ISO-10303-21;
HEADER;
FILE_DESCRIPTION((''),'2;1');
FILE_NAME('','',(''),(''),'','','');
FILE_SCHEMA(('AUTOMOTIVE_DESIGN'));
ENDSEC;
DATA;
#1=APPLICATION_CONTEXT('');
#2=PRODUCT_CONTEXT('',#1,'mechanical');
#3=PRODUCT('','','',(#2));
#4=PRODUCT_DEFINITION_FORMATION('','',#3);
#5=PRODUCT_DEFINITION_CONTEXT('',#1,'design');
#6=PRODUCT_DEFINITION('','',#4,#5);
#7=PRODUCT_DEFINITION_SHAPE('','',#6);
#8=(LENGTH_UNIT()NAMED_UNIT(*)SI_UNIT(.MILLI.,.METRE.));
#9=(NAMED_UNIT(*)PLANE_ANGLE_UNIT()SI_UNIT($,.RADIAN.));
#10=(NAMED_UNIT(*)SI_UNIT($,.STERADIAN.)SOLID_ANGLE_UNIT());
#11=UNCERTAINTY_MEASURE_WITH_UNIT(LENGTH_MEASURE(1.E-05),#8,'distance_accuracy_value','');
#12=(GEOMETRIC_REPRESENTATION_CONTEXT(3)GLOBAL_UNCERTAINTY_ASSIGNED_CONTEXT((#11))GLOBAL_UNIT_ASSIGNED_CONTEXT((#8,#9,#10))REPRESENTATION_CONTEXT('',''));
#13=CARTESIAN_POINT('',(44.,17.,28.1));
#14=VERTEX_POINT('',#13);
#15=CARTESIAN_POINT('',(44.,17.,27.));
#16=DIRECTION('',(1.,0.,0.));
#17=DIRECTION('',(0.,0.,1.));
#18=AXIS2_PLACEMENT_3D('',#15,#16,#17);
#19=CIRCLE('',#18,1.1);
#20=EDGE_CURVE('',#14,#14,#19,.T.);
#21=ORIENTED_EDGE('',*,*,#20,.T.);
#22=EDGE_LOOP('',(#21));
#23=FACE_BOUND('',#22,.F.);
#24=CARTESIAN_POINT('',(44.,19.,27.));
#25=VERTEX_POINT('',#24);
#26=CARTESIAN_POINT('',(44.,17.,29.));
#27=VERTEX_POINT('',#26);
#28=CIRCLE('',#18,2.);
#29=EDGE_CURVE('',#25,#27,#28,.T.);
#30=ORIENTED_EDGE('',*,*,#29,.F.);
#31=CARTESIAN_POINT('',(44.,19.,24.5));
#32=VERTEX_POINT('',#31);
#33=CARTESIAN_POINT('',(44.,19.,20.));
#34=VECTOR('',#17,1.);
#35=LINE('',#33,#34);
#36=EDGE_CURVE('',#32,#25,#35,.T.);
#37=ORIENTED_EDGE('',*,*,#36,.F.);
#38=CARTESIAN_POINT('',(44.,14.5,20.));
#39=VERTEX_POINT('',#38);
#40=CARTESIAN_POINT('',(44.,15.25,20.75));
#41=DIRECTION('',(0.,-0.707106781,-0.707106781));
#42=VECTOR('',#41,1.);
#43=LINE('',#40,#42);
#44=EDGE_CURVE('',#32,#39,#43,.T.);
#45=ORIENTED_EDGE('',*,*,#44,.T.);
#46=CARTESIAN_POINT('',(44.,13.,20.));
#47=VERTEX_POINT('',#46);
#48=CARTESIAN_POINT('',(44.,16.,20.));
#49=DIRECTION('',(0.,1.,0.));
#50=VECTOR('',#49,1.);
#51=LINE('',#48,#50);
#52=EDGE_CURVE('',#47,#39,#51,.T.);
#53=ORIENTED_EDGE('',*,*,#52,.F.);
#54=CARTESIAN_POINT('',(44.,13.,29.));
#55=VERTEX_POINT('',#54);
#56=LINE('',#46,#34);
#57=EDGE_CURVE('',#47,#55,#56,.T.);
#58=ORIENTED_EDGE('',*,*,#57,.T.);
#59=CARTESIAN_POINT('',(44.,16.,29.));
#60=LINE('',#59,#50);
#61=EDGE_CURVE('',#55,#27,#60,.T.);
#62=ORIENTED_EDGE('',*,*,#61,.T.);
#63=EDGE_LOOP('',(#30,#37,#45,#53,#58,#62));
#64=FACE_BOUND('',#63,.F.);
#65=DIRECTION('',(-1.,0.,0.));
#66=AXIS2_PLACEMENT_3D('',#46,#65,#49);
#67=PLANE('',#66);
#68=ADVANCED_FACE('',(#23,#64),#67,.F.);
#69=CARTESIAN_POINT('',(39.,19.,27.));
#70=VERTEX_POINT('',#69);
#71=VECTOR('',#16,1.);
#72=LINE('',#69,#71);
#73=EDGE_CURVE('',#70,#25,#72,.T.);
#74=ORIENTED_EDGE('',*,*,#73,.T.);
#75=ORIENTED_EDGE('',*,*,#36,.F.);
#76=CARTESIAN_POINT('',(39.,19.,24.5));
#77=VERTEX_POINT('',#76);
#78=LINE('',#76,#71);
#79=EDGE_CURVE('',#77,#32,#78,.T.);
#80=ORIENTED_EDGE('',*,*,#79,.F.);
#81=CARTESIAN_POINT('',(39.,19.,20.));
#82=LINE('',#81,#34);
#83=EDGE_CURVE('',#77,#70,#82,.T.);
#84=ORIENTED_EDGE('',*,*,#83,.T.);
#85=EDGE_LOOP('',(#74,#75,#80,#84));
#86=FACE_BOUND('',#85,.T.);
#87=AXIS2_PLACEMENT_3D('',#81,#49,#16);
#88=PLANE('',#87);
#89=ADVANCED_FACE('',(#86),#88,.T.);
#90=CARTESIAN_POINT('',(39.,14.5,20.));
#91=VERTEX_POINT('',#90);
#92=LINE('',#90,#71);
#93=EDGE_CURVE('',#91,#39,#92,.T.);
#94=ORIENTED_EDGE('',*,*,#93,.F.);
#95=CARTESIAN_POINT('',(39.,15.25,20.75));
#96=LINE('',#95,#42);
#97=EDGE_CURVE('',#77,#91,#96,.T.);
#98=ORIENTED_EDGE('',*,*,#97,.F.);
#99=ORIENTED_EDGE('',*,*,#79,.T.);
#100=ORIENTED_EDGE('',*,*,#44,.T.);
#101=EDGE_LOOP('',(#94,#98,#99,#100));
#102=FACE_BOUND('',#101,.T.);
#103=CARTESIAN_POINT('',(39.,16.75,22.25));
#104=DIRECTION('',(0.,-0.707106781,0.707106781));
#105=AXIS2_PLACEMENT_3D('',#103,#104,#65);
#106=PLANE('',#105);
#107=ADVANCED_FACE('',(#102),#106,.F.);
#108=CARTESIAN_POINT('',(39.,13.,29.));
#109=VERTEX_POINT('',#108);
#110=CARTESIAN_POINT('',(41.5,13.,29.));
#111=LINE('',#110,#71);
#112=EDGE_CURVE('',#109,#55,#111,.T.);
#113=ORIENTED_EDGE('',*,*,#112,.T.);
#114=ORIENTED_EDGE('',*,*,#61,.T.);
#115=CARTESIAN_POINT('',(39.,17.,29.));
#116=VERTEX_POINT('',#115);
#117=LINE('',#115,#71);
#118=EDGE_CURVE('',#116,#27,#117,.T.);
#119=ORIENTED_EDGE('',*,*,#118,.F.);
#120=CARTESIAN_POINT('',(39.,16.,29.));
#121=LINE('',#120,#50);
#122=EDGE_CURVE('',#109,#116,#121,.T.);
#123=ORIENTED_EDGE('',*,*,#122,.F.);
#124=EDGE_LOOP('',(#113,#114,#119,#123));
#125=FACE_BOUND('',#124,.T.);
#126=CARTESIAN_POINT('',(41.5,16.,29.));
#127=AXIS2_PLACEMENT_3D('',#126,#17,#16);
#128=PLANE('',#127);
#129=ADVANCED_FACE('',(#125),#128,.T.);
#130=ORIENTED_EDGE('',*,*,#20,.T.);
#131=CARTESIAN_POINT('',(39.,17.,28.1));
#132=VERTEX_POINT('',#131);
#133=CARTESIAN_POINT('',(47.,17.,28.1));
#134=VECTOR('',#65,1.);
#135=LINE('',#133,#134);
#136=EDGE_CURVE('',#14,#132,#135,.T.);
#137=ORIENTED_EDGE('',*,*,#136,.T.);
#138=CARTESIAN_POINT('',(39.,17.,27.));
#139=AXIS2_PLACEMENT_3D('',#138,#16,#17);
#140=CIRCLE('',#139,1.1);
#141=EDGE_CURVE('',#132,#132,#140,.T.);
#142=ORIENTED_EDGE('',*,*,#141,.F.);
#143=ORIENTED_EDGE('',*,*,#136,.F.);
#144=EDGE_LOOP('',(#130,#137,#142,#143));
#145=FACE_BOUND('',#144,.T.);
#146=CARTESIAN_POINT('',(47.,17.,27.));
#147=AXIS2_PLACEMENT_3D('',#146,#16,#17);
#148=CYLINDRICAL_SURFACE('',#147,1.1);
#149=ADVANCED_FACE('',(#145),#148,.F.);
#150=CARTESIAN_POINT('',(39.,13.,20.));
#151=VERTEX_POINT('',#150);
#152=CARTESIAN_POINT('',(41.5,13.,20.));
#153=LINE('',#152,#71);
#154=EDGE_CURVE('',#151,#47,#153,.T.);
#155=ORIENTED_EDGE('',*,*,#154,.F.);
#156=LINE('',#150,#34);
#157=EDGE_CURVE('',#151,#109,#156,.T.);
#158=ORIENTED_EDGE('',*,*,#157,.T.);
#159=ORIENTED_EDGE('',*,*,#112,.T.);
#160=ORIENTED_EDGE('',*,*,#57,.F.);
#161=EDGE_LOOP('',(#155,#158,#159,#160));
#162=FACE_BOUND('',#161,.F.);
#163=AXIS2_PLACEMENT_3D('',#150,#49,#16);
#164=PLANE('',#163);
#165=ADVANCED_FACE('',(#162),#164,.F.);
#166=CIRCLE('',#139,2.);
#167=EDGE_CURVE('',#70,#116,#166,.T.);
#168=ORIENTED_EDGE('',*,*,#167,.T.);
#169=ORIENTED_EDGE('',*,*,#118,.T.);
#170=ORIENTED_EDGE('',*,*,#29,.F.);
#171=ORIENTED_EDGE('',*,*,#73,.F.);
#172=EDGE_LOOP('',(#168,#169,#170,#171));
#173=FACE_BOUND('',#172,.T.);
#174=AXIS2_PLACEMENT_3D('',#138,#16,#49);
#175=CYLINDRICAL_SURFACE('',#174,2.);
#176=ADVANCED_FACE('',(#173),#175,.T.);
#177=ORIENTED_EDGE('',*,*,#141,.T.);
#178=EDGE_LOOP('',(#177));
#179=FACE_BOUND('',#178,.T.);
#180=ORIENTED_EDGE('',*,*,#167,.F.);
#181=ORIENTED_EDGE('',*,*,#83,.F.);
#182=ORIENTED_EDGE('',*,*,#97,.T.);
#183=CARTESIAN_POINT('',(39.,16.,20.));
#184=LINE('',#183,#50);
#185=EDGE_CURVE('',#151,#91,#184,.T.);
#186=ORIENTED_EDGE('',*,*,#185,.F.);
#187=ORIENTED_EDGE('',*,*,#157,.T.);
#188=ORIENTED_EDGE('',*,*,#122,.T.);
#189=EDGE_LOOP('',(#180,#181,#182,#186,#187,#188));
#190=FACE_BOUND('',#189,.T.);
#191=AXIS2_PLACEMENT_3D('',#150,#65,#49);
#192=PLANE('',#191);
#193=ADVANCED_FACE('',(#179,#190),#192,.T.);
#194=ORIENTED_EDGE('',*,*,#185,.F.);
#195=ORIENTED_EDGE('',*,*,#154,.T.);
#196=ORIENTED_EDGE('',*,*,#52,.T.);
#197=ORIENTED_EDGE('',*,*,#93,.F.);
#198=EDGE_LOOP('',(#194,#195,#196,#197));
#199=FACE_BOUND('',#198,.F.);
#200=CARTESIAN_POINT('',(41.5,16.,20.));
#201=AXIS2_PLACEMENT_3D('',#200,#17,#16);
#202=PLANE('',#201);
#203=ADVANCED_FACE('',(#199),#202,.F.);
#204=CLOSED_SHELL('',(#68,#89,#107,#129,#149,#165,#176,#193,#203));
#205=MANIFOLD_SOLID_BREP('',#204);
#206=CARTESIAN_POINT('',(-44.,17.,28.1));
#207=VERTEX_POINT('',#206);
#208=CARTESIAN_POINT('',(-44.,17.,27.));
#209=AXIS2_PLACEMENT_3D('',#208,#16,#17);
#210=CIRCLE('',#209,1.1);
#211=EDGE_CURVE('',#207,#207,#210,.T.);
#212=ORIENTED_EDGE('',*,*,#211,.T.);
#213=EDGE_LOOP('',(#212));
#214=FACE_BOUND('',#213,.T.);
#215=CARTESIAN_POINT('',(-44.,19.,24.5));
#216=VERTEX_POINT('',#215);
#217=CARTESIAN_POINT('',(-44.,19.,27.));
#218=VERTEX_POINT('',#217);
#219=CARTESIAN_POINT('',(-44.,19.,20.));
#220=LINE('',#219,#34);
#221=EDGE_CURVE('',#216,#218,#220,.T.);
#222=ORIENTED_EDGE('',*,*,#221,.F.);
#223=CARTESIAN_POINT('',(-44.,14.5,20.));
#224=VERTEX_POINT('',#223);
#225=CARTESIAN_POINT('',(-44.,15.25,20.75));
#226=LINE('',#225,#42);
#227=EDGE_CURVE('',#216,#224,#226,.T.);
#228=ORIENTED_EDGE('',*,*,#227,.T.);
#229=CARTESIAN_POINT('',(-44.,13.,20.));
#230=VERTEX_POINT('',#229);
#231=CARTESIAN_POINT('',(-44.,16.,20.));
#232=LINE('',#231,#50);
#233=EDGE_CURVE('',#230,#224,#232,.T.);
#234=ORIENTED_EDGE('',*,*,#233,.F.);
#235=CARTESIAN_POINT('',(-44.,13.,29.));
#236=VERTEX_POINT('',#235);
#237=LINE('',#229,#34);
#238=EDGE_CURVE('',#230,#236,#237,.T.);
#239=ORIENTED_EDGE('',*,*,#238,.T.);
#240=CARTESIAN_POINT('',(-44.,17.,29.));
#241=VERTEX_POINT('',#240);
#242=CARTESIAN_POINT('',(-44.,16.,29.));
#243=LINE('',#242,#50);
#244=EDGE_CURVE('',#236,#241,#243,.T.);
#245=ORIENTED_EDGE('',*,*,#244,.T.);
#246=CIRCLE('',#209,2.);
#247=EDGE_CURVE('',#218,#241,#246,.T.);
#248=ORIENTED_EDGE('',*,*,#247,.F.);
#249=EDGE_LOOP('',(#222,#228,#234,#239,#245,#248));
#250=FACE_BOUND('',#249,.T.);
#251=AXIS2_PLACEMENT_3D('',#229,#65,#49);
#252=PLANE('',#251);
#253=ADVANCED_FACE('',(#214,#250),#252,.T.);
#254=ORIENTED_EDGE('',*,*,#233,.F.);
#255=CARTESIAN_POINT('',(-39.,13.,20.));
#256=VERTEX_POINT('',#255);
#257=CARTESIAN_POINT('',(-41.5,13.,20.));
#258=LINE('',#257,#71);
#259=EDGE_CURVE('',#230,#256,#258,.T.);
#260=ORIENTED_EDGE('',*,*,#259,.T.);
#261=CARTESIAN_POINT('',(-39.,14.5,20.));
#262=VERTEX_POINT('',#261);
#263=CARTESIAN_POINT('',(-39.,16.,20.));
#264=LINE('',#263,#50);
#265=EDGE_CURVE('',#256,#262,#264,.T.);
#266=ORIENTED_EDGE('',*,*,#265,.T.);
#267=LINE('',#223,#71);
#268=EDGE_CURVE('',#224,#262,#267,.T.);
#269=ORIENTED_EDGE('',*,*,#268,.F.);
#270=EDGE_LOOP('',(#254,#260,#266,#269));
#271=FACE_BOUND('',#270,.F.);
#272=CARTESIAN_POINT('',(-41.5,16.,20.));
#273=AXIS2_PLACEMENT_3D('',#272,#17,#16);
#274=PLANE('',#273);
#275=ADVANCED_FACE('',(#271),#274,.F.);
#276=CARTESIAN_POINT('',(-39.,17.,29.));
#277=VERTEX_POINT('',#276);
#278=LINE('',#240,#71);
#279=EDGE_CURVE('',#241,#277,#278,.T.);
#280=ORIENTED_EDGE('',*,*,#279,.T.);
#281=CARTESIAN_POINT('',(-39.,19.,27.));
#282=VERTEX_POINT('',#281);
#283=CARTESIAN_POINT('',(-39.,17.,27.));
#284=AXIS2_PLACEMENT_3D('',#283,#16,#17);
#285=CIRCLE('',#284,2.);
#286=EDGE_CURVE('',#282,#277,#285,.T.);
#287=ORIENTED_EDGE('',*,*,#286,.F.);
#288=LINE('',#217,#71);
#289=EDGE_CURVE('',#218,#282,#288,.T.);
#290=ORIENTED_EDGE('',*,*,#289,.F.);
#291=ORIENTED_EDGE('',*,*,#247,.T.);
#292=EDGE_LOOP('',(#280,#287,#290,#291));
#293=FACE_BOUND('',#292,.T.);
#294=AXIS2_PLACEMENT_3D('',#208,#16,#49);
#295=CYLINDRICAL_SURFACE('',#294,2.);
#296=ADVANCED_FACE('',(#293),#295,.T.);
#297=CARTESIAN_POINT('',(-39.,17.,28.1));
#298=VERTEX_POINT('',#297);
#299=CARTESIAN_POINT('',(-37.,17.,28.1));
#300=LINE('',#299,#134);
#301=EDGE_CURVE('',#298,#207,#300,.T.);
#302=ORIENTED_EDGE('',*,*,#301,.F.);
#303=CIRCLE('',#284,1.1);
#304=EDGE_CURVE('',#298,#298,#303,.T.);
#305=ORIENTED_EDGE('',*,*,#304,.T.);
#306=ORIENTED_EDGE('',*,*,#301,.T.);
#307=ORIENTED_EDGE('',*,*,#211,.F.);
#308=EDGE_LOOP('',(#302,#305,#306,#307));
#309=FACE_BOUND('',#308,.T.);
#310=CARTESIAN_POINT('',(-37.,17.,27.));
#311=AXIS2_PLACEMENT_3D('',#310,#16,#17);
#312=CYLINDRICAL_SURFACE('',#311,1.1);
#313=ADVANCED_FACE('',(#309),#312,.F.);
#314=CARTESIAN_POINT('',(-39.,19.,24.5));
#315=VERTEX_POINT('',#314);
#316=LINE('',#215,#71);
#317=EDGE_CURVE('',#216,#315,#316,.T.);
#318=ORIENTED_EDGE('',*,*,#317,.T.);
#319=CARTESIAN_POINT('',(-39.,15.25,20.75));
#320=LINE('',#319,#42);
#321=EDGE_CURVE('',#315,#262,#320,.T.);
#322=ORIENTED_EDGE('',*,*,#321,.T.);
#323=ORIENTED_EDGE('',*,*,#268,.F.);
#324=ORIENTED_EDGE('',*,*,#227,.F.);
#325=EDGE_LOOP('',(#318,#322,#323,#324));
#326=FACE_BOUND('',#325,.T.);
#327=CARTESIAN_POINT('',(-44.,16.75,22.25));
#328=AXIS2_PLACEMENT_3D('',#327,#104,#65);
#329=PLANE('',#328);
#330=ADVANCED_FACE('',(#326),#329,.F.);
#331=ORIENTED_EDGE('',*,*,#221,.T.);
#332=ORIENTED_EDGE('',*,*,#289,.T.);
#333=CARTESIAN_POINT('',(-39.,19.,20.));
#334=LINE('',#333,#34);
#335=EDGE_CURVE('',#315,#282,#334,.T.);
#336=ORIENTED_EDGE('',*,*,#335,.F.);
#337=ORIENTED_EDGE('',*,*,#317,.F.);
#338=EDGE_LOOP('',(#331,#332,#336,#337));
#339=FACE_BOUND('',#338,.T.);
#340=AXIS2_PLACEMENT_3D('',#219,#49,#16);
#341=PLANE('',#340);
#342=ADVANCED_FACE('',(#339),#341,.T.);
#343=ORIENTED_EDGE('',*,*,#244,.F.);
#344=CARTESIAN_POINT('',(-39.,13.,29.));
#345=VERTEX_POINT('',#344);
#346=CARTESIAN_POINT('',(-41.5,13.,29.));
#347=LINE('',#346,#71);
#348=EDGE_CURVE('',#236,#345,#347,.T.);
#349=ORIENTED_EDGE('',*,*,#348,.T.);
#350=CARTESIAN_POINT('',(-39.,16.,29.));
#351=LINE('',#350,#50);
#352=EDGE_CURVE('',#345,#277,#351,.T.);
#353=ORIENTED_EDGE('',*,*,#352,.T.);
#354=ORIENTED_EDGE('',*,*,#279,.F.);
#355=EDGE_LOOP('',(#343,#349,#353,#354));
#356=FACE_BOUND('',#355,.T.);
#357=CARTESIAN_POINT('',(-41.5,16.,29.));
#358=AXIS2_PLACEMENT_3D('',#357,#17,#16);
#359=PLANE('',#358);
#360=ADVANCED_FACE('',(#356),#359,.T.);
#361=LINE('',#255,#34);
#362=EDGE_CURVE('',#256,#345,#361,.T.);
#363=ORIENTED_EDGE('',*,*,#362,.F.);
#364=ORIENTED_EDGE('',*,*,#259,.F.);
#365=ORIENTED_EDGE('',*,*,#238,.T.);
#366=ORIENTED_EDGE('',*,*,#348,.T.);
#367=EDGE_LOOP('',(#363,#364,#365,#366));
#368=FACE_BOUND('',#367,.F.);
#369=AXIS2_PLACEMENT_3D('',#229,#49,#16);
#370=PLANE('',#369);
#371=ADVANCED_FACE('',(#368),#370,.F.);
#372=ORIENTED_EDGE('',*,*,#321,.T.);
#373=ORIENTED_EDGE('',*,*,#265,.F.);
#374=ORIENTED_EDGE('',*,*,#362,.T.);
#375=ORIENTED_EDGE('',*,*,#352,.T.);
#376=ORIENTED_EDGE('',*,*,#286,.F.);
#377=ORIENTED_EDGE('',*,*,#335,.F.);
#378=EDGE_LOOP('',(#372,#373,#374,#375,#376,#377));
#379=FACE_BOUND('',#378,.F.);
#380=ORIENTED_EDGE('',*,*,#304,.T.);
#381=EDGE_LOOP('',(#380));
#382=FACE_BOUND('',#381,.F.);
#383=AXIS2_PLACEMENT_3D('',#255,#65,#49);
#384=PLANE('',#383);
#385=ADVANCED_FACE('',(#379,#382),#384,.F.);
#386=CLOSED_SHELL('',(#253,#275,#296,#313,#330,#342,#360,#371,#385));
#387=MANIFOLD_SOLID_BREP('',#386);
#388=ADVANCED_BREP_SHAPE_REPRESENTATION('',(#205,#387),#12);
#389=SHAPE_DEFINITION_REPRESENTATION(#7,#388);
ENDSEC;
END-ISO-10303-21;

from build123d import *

# Parameters (mm, degrees)
CYLINDER043_R         = 1.1
CYLINDER043_DEPTH     = 10
BOX027_W              = 5
BOX027_H              = 6
BOX027_DEPTH          = 9
FILLET004_R           = 2
CHAMFER011015006_SIZE = 4.5
CYLINDER042_R         = 1.1
CYLINDER042_DEPTH     = 10
BOX026_W              = 5
BOX026_H              = 6
BOX026_DEPTH          = 9
FILLET_R              = 2
CHAMFER011015005_SIZE = 4.5


with BuildPart() as cylinder043:
    # Cylinder043 → Cylinder043 (new body)
    with BuildSketch(Plane(origin=(47, 17, 27), x_dir=(0, 0, 1), z_dir=(-1, 0, 0))):
        Circle(CYLINDER043_R)
    extrude(amount=CYLINDER043_DEPTH)


with BuildPart() as cut025002009003:
    # Box027 → Box027 (new body)
    with BuildSketch(Plane(origin=(39, 13, 20), x_dir=(1, 0, 0), z_dir=(0, 0, 1))):
        with Locations((2.5, 3)):
            Rectangle(BOX027_W, BOX027_H)
    extrude(amount=BOX027_DEPTH)

    # Fillet004
    fillet004_edges = [cut025002009003.edges().sort_by_distance(p)[0] for p in [
        (41.5, 19, 29),
    ]]
    fillet(fillet004_edges, radius=FILLET004_R)

    # Chamfer011015006
    chamfer011015006_edges = [cut025002009003.edges().sort_by_distance(p)[0] for p in [
        (41.5, 19, 20),
    ]]
    chamfer(chamfer011015006_edges, length=CHAMFER011015006_SIZE)

    # Cut025002009003: cut Cylinder043
    add(cylinder043.part, mode=Mode.SUBTRACT)


with BuildPart() as cylinder042:
    # Cylinder042 → Cylinder042 (new body)
    with BuildSketch(Plane(origin=(-37, 17, 27), x_dir=(0, 0, 1), z_dir=(-1, 0, 0))):
        Circle(CYLINDER042_R)
    extrude(amount=CYLINDER042_DEPTH)


with BuildPart() as fusion011010:
    # Box026 → Box026 (new body)
    with BuildSketch(Plane(origin=(-44, 13, 20), x_dir=(1, 0, 0), z_dir=(0, 0, 1))):
        with Locations((2.5, 3)):
            Rectangle(BOX026_W, BOX026_H)
    extrude(amount=BOX026_DEPTH)

    # Fillet
    fillet_edges = [fusion011010.edges().sort_by_distance(p)[0] for p in [
        (-41.5, 19, 29),
    ]]
    fillet(fillet_edges, radius=FILLET_R)

    # Chamfer011015005
    chamfer011015005_edges = [fusion011010.edges().sort_by_distance(p)[0] for p in [
        (-41.5, 19, 20),
    ]]
    chamfer(chamfer011015005_edges, length=CHAMFER011015005_SIZE)

    # Cut025002009002: cut Cylinder042
    add(cylinder042.part, mode=Mode.SUBTRACT)

    # Fusion011010: union Cut025002009003
    add(cut025002009003.part)


solid = fusion011010.part
